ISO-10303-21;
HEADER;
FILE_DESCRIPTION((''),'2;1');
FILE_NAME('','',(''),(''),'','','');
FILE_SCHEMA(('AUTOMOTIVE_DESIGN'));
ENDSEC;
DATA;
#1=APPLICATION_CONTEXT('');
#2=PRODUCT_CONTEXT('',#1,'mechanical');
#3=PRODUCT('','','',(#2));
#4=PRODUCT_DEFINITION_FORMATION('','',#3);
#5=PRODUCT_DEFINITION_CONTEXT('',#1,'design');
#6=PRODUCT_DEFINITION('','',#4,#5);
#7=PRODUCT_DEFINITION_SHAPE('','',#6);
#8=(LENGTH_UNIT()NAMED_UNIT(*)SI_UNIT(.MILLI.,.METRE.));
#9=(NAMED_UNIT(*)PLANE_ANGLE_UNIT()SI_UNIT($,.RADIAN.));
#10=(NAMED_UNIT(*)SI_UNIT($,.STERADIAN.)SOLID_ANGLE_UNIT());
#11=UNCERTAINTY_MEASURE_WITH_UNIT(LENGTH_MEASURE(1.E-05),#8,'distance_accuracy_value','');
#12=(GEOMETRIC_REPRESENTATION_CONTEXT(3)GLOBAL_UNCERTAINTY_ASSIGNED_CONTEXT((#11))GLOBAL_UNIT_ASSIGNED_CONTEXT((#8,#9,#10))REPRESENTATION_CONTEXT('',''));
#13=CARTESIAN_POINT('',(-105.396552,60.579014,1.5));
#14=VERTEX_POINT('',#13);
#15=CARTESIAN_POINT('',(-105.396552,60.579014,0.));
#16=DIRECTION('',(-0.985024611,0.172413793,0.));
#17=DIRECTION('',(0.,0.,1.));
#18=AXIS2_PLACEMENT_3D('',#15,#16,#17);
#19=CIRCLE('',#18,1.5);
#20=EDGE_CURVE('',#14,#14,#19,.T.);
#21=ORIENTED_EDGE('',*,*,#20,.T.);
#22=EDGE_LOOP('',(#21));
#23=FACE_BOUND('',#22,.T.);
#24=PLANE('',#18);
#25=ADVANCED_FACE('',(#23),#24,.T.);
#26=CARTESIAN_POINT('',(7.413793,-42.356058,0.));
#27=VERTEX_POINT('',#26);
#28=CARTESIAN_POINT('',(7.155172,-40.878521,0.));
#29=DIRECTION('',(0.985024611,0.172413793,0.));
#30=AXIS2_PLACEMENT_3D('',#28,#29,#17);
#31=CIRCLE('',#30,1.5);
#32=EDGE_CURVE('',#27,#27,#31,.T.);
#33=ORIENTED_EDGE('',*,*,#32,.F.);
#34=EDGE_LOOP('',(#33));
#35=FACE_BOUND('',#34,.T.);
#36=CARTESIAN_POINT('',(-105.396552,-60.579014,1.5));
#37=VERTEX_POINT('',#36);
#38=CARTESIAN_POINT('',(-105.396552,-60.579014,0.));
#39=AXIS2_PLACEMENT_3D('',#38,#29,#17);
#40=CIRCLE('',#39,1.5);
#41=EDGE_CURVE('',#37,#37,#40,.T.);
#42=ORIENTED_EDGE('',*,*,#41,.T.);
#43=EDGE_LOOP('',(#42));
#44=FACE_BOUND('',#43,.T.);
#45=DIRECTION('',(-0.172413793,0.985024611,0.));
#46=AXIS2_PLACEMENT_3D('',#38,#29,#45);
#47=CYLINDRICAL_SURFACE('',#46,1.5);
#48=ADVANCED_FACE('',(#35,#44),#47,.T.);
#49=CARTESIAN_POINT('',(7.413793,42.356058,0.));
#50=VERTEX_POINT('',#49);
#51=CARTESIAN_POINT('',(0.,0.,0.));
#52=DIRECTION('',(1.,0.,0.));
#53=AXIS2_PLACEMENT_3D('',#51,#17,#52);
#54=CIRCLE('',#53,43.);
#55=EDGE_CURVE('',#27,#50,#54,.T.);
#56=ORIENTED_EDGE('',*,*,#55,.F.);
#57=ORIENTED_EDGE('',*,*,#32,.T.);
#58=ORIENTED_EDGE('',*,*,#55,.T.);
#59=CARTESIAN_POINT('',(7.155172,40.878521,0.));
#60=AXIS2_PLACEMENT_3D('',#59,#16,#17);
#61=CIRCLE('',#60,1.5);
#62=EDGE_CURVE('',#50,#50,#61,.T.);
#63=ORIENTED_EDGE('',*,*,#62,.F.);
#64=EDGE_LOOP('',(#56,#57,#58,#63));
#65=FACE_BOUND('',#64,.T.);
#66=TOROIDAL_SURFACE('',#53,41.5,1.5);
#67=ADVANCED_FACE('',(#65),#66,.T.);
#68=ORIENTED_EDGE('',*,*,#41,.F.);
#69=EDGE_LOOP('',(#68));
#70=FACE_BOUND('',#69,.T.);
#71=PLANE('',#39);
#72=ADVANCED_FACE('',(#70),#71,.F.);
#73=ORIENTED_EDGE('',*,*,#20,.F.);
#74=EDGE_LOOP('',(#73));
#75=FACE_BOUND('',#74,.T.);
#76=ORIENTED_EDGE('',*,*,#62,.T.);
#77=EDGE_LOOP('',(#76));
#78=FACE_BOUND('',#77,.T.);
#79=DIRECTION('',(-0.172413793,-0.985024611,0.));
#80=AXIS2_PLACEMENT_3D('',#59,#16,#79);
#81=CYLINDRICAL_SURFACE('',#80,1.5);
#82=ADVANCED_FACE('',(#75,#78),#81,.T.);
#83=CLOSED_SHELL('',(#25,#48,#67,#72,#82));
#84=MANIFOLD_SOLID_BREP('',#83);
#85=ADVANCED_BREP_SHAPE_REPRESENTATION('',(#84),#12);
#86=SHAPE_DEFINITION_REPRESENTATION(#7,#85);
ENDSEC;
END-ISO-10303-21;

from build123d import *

# Parameters (mm, degrees)
SKETCH12_R = 1.5


with BuildPart() as part:
    # RoundBeltSweep: sweep along a path in Sketch2<2>
    with BuildLine(Plane.XY) as roundbeltsweep_path:
        Line((-105.655172414, -59.10147665), (6.896551724, -39.400984433))
        ThreePointArc((6.896551724, -39.400984433), (40, 0), (6.896551724, 39.400984433))
        Line((6.896551724, 39.400984433), (-105.655172414, 59.10147665))
    # Sketch12 → RoundBeltSweep (sweep)
    with BuildSketch(Plane(origin=(0, 0, 0), x_dir=(0, 0, -1), z_dir=(0, 1, 0))):
        with Locations((0, -41.5)):
            Circle(SKETCH12_R)
    sweep(path=roundbeltsweep_path.line)


solid = part.part
